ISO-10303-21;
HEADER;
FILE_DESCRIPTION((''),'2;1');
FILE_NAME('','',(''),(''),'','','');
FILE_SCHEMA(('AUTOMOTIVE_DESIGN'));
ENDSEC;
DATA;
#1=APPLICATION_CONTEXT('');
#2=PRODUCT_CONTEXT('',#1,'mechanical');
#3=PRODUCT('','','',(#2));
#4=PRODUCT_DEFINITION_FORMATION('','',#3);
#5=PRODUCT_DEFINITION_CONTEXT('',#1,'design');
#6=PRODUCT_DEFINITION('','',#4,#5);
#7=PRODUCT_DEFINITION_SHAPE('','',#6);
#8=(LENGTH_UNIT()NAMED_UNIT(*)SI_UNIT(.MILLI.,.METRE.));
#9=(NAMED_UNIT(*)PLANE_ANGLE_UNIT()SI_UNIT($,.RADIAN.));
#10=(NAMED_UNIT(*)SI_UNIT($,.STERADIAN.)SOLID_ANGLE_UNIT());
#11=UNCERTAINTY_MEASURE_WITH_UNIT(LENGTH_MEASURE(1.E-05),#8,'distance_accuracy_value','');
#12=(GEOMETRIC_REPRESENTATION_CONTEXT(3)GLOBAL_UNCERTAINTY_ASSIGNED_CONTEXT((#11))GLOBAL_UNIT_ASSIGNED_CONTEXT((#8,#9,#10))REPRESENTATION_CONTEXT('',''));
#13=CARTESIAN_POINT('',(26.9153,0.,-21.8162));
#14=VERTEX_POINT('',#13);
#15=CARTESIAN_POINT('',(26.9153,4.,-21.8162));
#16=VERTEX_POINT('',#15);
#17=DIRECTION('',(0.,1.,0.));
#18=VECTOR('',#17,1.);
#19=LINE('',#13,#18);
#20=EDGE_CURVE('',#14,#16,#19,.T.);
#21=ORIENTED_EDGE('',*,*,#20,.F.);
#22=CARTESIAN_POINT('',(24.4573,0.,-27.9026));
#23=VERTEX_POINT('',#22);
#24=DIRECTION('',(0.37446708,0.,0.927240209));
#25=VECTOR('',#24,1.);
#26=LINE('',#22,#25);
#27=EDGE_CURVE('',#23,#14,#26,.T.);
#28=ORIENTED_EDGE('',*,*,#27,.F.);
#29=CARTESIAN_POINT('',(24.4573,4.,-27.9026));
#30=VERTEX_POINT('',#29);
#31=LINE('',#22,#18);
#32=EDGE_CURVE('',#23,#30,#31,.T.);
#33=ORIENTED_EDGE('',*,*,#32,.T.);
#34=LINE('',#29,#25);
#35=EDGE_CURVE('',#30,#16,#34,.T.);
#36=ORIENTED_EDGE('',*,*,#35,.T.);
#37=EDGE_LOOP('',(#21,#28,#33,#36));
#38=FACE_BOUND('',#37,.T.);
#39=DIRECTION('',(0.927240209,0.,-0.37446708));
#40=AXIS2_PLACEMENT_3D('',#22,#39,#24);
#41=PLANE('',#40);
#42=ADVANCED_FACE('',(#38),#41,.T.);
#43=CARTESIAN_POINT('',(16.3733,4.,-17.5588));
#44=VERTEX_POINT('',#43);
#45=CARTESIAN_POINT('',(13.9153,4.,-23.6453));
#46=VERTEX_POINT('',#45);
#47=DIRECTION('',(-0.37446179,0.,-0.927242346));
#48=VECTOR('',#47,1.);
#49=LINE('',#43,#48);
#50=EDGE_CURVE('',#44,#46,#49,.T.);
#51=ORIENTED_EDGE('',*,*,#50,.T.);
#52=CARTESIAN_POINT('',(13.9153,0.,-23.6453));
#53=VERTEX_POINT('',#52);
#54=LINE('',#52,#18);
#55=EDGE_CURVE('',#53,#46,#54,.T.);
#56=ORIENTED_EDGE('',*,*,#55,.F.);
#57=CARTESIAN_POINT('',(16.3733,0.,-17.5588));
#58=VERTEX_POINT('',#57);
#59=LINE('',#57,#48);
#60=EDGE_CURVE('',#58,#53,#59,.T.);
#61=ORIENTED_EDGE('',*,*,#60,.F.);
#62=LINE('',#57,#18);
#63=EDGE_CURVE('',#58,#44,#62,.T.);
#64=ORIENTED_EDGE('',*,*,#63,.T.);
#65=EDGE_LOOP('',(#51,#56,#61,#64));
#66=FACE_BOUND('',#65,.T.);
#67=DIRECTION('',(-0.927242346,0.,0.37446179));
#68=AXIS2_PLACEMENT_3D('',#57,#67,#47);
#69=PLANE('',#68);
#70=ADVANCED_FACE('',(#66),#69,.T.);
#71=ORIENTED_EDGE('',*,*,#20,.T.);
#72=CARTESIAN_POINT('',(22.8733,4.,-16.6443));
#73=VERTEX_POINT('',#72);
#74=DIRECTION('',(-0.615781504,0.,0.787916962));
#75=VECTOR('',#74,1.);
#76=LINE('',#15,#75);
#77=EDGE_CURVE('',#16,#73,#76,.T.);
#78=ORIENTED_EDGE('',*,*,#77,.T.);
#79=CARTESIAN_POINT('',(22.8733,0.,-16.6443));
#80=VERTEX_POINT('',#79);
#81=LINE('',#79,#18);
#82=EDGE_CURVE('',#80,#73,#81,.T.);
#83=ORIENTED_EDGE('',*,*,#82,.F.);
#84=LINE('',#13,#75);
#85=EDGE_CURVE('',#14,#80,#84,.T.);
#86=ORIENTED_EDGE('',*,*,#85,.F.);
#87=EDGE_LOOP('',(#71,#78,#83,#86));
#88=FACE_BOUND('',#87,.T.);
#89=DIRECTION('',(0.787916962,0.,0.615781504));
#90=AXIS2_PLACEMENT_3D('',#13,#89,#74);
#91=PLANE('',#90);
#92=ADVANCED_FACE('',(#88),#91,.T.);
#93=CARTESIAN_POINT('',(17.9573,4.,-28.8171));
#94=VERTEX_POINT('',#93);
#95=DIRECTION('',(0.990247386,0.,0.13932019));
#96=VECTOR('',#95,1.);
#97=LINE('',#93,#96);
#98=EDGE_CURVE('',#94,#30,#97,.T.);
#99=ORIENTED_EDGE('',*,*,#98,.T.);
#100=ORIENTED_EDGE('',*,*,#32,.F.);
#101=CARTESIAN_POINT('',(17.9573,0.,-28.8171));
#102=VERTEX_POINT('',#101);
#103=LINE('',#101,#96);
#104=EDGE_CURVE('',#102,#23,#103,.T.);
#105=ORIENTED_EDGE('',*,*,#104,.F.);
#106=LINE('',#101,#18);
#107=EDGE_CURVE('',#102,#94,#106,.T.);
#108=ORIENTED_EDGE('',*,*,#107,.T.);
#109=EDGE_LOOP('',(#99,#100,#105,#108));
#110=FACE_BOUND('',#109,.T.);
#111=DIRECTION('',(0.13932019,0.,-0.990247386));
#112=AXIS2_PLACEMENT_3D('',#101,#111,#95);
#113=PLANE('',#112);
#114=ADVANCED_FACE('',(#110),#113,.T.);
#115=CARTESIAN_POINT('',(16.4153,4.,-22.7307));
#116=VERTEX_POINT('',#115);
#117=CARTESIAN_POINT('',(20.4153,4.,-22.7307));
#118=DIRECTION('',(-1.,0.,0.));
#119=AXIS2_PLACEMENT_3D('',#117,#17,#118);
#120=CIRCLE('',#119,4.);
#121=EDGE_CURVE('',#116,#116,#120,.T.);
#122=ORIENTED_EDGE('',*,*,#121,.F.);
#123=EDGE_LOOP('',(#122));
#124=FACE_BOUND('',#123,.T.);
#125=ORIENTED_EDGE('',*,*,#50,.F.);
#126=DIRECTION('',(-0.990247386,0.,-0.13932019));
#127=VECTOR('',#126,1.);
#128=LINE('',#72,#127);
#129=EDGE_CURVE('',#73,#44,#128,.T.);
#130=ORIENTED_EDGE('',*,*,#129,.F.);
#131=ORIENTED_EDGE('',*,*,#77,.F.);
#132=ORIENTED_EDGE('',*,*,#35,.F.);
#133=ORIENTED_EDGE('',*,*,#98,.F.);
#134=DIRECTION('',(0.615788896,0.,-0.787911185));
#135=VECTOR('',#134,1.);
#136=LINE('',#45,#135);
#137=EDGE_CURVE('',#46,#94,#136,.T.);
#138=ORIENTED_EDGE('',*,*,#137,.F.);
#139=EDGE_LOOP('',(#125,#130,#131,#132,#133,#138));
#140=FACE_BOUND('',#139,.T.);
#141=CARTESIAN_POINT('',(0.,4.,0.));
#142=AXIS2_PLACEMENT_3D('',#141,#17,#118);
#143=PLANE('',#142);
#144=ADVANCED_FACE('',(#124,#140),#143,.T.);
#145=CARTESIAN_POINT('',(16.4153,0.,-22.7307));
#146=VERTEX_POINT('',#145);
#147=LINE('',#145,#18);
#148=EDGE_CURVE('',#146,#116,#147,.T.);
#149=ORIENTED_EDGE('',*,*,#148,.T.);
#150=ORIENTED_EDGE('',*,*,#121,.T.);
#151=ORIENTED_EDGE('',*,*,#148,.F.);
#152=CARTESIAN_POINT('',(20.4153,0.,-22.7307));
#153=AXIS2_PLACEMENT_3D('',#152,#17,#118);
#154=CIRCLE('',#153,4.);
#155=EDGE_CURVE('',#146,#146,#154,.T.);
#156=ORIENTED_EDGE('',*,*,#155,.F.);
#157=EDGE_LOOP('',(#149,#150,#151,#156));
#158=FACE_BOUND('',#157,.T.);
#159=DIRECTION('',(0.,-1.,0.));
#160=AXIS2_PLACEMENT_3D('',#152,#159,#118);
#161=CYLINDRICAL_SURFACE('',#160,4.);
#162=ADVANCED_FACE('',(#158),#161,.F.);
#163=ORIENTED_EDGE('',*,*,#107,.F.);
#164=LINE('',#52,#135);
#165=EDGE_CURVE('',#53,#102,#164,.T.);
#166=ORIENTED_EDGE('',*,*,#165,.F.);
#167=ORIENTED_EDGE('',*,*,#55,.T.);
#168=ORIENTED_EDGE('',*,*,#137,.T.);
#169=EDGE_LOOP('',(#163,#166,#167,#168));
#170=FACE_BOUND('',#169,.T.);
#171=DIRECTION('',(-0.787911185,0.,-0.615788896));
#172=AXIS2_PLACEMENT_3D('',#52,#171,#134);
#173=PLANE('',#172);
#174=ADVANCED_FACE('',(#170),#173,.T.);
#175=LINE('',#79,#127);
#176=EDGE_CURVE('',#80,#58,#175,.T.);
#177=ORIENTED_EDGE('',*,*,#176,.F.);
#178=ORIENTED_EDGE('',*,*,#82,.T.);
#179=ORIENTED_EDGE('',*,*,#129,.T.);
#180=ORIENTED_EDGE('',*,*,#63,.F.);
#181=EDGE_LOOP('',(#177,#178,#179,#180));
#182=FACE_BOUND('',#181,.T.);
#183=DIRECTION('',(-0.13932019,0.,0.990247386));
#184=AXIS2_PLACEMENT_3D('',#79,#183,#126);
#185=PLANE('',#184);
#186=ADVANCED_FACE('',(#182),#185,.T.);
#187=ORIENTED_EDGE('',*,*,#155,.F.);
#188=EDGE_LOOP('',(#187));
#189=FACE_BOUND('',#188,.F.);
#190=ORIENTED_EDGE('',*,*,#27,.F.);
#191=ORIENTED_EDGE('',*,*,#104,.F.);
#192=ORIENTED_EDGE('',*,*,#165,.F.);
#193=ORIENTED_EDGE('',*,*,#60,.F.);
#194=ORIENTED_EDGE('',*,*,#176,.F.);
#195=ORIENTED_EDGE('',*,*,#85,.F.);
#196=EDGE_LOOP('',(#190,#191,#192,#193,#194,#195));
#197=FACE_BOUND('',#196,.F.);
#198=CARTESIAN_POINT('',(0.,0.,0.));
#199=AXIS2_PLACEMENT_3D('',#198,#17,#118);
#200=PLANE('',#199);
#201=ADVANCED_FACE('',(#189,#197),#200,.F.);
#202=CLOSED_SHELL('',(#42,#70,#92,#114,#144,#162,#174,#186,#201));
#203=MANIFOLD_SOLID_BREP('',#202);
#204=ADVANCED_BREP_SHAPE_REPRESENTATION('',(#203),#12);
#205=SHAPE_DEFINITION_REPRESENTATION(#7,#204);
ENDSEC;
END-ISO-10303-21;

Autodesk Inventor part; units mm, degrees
ref_plane "YZ Plane" through (0, 0, 0) normal (1, 0, 0) x (0, 1, 0)
ref_plane "XZ Plane" through (0, 0, 0) normal (0, 1, 0) x (-1, 0, 0)
ref_plane "XY Plane" through (0, 0, 0) normal (0, 0, 1) x (1, 0, 0)
sketch "Sketch1" plane through (0, 0, 0) normal (0, 1, 0) x (-1, 0, 0)
  line L0 (-17.9573, -28.8171) -> (-24.4573, -27.9026)
  line L1 (-24.4573, -27.9026) -> (-26.9153, -21.8162)
  line L2 (-26.9153, -21.8162) -> (-22.8733, -16.6443)
  line L3 (-22.8733, -16.6443) -> (-16.3733, -17.5588)
  line L4 (-16.3733, -17.5588) -> (-13.9153, -23.6453)
  line L5 (-13.9153, -23.6453) -> (-17.9573, -28.8171)
  circle A0 centre (-20.4153, -22.7307) radius 4
  dimension "d12" = 13
  dimension "d13" = 8
extrude "Extrusion1" add sketch "Sketch1" along normal blind 4
properties part number "8mm-thin-nut"
